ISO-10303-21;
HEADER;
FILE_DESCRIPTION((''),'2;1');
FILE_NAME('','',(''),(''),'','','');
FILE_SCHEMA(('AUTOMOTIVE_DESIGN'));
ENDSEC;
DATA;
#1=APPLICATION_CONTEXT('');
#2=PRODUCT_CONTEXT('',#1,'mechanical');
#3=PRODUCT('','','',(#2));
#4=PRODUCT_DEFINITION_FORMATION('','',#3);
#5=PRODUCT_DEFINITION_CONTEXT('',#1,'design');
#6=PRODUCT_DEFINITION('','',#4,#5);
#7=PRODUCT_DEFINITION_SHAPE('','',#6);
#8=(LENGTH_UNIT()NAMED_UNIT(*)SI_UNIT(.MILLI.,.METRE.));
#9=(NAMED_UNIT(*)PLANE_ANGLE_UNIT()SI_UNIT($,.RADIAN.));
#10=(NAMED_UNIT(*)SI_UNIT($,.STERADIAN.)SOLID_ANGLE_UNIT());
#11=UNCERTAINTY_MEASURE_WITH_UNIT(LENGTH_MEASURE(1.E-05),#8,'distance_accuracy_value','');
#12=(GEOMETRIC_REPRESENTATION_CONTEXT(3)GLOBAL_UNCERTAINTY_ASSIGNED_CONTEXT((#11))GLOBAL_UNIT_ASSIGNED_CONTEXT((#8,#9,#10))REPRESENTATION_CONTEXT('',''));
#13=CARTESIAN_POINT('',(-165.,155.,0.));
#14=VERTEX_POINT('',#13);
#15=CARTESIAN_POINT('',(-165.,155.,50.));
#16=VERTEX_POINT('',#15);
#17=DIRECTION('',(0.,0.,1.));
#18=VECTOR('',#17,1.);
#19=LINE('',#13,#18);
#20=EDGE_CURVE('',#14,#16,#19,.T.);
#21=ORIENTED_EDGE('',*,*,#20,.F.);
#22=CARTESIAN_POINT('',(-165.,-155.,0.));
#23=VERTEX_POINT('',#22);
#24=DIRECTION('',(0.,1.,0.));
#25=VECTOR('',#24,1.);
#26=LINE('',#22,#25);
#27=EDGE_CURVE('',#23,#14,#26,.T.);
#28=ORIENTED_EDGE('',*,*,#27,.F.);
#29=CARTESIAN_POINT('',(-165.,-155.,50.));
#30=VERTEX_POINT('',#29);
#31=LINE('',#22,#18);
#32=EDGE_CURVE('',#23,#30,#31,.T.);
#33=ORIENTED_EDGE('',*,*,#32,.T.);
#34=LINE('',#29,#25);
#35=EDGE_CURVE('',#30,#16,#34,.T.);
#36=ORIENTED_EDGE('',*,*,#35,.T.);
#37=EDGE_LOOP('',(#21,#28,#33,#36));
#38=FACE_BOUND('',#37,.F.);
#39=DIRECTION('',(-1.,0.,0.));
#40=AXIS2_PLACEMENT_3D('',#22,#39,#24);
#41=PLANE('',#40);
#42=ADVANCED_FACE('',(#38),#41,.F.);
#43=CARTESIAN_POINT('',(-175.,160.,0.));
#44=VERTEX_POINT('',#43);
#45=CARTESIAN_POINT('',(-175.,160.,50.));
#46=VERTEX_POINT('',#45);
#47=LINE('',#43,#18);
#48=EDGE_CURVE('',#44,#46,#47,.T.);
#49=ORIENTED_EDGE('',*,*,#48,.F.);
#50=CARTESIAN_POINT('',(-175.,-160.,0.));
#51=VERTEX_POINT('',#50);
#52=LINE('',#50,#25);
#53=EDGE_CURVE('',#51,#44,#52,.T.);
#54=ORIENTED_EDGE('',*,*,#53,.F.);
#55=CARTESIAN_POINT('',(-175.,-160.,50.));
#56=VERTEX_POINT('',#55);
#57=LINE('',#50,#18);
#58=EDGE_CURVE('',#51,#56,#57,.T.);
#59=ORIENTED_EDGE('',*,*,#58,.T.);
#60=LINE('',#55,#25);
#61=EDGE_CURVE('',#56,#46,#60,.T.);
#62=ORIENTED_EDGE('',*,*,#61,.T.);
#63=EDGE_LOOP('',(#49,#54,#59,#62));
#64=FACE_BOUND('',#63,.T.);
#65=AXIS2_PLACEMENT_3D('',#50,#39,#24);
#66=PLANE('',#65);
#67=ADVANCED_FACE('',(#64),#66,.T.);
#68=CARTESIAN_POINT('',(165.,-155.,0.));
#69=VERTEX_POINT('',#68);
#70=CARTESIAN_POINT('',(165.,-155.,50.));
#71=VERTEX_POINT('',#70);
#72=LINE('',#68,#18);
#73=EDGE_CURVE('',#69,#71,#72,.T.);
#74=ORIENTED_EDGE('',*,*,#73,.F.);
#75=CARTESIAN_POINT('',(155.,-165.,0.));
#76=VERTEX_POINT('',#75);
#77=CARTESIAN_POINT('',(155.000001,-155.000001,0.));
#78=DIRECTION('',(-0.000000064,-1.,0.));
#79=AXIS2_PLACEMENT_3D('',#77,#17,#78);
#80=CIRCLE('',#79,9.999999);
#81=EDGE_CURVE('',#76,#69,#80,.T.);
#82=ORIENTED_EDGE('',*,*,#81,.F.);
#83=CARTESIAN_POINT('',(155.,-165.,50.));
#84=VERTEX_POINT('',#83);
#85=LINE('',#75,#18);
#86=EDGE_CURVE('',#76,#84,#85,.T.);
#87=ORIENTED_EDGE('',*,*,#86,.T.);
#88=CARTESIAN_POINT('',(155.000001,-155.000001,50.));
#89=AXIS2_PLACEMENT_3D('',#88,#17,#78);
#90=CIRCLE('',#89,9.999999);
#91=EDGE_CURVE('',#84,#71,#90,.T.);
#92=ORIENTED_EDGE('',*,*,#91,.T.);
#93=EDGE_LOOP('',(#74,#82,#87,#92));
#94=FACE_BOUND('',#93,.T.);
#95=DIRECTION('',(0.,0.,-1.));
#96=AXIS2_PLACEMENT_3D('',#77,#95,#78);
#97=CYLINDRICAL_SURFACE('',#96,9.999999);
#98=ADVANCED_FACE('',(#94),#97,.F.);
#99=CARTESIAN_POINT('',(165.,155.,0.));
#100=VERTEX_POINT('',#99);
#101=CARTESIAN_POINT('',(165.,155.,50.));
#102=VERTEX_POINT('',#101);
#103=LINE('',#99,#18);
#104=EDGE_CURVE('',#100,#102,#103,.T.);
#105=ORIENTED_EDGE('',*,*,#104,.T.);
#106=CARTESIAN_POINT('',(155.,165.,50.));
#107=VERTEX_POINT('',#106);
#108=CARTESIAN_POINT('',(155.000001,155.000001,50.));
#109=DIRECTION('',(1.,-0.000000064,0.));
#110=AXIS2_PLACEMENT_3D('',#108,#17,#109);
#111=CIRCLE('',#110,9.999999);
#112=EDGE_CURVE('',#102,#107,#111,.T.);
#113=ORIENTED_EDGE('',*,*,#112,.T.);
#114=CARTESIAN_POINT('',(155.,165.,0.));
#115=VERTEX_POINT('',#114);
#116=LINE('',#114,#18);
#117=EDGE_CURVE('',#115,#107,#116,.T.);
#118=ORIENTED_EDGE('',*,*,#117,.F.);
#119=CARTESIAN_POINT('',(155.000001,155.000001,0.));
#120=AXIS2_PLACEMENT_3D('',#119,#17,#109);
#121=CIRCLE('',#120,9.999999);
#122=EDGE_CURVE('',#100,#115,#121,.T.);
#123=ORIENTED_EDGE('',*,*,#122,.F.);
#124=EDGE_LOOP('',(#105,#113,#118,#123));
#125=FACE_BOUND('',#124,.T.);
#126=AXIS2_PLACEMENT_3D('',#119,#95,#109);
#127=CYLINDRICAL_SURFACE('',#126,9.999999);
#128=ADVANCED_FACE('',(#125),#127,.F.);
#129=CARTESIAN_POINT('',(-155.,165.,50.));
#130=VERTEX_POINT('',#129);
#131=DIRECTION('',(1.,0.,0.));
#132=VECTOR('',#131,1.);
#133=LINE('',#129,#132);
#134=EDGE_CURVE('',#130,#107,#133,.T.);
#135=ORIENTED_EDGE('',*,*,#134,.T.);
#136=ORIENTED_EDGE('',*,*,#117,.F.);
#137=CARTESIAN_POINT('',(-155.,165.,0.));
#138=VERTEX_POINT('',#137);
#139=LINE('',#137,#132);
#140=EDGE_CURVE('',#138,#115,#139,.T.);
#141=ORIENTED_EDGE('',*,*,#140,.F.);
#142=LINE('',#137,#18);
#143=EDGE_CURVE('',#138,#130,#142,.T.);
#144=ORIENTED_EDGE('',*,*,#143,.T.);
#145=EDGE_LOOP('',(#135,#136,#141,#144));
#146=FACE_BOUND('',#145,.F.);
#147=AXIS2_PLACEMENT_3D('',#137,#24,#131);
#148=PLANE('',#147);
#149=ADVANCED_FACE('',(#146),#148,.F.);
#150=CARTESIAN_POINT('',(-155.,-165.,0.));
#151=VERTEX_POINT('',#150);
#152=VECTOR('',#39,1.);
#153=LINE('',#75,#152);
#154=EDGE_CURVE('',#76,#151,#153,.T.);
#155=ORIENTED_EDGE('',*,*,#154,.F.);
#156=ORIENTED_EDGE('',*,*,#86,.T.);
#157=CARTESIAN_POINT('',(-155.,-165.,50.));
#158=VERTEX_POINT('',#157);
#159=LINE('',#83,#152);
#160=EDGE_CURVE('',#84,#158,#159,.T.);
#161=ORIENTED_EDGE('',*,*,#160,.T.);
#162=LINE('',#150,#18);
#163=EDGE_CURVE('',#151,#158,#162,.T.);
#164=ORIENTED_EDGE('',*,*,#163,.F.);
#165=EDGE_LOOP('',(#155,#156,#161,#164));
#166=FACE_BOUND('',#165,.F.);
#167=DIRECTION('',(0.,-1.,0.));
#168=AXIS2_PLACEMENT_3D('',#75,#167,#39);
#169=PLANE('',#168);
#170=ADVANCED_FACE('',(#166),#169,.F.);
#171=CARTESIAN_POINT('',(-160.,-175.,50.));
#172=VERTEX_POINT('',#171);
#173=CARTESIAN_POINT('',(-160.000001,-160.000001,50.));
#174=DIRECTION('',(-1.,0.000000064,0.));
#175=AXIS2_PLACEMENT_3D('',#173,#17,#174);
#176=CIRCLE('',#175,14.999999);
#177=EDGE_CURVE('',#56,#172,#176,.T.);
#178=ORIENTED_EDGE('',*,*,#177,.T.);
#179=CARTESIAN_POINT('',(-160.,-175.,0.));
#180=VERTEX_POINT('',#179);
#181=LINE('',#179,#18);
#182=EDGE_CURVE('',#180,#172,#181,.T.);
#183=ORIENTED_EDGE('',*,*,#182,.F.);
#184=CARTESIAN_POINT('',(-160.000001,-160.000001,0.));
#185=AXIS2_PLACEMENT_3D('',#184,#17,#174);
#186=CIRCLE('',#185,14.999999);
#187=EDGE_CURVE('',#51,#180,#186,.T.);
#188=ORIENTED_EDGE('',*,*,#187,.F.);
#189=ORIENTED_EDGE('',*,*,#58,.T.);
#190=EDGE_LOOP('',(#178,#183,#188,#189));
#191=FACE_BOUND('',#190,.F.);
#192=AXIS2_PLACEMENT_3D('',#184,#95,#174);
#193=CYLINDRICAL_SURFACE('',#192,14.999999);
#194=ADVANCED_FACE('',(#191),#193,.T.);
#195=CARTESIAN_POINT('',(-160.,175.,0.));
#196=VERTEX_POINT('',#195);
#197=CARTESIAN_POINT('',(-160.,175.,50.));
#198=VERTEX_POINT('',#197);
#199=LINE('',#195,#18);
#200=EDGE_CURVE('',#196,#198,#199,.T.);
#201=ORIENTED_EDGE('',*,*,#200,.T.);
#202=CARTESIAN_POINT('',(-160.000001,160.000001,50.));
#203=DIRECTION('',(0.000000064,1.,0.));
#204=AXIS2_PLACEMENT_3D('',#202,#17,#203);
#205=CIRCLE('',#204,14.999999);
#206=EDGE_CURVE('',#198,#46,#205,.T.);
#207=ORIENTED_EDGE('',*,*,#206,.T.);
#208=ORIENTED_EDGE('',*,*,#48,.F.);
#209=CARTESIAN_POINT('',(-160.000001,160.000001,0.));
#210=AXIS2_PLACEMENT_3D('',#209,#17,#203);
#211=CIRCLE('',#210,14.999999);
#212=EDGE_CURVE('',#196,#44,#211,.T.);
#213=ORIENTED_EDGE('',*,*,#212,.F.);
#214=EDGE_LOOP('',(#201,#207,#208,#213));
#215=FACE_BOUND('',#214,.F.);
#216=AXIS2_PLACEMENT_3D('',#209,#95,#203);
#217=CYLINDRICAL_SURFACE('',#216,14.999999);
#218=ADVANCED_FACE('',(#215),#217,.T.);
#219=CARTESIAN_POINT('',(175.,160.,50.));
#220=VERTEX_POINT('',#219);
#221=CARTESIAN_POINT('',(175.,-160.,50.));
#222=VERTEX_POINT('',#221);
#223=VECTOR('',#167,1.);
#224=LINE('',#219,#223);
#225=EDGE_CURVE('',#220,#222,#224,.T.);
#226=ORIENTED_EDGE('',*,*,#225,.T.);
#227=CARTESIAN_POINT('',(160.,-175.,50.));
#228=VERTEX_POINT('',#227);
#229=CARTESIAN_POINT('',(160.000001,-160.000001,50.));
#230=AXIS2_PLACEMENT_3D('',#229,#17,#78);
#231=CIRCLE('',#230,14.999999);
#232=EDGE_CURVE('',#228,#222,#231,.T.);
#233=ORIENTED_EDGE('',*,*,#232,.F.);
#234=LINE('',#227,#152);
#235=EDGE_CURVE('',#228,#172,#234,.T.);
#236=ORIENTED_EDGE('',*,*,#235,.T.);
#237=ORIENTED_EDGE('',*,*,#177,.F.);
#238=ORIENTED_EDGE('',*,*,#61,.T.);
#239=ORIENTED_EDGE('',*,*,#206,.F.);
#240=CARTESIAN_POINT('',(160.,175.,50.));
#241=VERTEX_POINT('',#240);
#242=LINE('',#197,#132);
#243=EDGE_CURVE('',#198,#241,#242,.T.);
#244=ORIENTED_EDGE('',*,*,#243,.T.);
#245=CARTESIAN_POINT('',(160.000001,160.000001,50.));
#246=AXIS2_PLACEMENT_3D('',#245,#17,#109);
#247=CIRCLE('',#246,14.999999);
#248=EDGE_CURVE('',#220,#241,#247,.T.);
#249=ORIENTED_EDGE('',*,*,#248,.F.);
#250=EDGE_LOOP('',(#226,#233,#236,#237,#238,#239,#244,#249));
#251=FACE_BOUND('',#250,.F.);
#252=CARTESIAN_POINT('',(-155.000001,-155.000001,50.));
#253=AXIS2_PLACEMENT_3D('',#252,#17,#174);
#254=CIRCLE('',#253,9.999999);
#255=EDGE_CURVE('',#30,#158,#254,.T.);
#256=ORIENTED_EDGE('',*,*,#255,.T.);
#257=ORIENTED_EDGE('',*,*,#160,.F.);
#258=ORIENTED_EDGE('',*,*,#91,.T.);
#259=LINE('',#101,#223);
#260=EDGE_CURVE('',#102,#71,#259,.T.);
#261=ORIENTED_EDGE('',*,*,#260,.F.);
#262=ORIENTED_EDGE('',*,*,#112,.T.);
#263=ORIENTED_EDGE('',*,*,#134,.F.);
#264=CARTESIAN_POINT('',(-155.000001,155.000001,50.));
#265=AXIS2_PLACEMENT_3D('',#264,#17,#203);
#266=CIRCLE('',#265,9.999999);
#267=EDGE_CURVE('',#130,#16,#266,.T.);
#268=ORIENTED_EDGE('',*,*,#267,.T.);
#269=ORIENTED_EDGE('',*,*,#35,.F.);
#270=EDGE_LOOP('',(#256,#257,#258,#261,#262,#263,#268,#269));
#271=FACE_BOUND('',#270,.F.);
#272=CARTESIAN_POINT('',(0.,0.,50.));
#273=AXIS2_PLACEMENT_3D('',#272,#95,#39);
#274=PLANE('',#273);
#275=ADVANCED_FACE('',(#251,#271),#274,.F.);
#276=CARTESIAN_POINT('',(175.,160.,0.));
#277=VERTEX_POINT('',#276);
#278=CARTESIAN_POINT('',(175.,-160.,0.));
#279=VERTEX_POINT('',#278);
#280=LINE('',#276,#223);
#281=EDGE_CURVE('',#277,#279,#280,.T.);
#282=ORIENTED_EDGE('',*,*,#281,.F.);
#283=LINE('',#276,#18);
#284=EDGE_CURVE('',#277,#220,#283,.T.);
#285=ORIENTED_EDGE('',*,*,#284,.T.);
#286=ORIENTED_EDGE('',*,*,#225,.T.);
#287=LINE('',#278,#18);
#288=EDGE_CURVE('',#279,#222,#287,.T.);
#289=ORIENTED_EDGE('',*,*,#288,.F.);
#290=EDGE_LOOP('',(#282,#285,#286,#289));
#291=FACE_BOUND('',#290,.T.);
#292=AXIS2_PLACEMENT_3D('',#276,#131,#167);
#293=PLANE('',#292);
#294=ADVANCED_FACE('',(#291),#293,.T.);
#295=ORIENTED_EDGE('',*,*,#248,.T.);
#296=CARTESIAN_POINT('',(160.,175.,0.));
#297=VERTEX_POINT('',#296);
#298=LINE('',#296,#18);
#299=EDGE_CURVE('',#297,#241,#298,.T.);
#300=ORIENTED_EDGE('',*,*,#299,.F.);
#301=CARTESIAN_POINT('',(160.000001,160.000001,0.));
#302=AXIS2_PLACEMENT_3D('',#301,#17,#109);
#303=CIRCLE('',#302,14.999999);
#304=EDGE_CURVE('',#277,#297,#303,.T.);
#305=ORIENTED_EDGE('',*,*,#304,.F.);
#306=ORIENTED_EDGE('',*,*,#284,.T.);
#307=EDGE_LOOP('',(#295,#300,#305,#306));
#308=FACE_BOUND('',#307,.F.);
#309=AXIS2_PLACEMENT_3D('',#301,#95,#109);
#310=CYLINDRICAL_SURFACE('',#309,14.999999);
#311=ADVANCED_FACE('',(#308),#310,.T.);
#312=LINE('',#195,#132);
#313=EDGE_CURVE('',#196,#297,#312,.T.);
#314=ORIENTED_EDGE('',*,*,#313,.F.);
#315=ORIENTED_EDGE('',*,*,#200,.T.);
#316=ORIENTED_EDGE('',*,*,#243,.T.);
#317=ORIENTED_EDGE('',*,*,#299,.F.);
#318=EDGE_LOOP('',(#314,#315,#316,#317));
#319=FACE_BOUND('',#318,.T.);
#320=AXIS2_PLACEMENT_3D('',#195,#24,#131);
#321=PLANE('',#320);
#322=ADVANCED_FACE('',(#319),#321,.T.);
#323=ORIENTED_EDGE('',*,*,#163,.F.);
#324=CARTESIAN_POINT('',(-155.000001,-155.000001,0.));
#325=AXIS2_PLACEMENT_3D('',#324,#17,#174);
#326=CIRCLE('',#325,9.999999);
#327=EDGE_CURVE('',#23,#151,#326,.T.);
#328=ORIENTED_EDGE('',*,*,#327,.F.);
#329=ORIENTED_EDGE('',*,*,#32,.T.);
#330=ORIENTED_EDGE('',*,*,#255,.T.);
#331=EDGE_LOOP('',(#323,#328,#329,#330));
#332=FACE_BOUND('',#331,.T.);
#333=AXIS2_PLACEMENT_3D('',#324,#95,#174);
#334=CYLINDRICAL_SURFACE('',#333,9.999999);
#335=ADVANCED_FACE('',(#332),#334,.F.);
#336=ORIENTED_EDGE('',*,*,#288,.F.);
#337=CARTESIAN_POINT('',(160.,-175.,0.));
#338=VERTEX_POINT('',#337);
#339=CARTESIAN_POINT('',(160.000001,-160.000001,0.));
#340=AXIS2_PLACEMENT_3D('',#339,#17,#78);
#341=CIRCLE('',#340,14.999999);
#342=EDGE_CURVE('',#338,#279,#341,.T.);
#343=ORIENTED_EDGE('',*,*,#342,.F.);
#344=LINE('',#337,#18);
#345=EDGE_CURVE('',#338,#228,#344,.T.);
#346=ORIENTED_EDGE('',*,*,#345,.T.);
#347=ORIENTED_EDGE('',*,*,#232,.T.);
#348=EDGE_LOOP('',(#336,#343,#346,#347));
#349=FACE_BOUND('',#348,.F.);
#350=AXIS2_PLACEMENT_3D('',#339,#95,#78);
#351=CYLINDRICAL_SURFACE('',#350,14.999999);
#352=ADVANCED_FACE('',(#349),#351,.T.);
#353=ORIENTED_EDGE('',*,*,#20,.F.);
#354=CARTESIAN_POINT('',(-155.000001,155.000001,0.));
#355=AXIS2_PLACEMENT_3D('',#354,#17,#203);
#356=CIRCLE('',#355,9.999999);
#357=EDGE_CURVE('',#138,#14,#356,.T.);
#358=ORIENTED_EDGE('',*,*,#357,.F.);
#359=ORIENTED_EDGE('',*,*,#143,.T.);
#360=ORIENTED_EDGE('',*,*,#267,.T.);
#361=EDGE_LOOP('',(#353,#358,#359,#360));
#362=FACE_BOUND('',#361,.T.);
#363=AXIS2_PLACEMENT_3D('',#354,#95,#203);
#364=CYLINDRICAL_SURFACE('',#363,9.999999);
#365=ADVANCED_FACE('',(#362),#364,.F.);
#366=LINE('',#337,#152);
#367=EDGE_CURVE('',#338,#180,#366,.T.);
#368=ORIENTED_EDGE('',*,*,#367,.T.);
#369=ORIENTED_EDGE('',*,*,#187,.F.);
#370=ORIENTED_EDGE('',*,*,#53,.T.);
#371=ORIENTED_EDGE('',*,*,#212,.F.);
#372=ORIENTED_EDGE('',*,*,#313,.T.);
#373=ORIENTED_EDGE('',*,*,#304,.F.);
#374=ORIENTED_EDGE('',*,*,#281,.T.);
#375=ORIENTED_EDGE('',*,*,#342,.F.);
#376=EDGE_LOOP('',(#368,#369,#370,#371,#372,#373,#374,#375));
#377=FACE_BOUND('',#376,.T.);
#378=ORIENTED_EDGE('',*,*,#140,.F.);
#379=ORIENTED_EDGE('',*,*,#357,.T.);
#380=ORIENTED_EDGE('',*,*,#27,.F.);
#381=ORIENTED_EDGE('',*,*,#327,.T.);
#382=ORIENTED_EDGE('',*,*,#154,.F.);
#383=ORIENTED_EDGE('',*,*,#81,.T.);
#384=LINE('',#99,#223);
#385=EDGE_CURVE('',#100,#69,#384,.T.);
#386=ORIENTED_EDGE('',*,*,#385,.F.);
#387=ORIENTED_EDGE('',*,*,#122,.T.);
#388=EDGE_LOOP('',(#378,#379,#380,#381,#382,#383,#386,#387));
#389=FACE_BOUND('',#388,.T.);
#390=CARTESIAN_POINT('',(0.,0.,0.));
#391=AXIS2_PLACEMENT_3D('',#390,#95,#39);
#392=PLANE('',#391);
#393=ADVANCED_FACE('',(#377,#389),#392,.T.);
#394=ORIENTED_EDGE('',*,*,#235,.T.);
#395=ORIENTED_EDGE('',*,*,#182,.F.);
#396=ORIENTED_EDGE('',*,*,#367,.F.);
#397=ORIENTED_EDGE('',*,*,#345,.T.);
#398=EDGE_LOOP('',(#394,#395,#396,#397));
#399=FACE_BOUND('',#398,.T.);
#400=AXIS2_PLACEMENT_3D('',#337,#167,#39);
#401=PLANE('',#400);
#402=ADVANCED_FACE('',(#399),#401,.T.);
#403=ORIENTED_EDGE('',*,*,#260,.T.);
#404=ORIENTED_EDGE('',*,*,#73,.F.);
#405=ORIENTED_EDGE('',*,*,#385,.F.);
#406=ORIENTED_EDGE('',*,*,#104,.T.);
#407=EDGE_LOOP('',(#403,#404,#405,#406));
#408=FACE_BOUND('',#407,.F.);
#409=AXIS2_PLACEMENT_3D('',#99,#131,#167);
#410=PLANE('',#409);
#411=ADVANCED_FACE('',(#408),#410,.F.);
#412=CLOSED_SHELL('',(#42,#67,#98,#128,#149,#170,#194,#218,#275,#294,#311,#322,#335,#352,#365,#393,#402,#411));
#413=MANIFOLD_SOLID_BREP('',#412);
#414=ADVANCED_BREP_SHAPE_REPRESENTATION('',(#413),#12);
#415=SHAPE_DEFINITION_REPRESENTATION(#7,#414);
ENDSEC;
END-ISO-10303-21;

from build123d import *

# Parameters (mm, degrees)
EXTRUDE_DEPTH = 50


with BuildPart() as part:
    # Sketch → Extrude (new body)
    with BuildSketch(Plane.XY):
        with BuildLine():
            Line((-160, 175), (160, 175))
            ThreePointArc((175, 160), (170.606602, 170.606602), (160, 175))
            Line((175, 160), (175, -160))
            ThreePointArc((160, -175), (170.606602, -170.606602), (175, -160))
            Line((160, -175), (-160, -175))
            ThreePointArc((-175, -160), (-170.606602, -170.606602), (-160, -175))
            Line((-175, -160), (-175, 160))
            ThreePointArc((-160, 175), (-170.606602, 170.606602), (-175, 160))
        make_face()
        with BuildLine():
            Line((-155, 165), (155, 165))
            ThreePointArc((165, 155), (162.071068, 162.071068), (155, 165))
            Line((165, 155), (165, -155))
            ThreePointArc((155, -165), (162.071068, -162.071068), (165, -155))
            Line((155, -165), (-155, -165))
            ThreePointArc((-165, -155), (-162.071068, -162.071068), (-155, -165))
            Line((-165, -155), (-165, 155))
            ThreePointArc((-155, 165), (-162.071068, 162.071068), (-165, 155))
        make_face(mode=Mode.SUBTRACT)
    extrude(amount=EXTRUDE_DEPTH)


solid = part.part
